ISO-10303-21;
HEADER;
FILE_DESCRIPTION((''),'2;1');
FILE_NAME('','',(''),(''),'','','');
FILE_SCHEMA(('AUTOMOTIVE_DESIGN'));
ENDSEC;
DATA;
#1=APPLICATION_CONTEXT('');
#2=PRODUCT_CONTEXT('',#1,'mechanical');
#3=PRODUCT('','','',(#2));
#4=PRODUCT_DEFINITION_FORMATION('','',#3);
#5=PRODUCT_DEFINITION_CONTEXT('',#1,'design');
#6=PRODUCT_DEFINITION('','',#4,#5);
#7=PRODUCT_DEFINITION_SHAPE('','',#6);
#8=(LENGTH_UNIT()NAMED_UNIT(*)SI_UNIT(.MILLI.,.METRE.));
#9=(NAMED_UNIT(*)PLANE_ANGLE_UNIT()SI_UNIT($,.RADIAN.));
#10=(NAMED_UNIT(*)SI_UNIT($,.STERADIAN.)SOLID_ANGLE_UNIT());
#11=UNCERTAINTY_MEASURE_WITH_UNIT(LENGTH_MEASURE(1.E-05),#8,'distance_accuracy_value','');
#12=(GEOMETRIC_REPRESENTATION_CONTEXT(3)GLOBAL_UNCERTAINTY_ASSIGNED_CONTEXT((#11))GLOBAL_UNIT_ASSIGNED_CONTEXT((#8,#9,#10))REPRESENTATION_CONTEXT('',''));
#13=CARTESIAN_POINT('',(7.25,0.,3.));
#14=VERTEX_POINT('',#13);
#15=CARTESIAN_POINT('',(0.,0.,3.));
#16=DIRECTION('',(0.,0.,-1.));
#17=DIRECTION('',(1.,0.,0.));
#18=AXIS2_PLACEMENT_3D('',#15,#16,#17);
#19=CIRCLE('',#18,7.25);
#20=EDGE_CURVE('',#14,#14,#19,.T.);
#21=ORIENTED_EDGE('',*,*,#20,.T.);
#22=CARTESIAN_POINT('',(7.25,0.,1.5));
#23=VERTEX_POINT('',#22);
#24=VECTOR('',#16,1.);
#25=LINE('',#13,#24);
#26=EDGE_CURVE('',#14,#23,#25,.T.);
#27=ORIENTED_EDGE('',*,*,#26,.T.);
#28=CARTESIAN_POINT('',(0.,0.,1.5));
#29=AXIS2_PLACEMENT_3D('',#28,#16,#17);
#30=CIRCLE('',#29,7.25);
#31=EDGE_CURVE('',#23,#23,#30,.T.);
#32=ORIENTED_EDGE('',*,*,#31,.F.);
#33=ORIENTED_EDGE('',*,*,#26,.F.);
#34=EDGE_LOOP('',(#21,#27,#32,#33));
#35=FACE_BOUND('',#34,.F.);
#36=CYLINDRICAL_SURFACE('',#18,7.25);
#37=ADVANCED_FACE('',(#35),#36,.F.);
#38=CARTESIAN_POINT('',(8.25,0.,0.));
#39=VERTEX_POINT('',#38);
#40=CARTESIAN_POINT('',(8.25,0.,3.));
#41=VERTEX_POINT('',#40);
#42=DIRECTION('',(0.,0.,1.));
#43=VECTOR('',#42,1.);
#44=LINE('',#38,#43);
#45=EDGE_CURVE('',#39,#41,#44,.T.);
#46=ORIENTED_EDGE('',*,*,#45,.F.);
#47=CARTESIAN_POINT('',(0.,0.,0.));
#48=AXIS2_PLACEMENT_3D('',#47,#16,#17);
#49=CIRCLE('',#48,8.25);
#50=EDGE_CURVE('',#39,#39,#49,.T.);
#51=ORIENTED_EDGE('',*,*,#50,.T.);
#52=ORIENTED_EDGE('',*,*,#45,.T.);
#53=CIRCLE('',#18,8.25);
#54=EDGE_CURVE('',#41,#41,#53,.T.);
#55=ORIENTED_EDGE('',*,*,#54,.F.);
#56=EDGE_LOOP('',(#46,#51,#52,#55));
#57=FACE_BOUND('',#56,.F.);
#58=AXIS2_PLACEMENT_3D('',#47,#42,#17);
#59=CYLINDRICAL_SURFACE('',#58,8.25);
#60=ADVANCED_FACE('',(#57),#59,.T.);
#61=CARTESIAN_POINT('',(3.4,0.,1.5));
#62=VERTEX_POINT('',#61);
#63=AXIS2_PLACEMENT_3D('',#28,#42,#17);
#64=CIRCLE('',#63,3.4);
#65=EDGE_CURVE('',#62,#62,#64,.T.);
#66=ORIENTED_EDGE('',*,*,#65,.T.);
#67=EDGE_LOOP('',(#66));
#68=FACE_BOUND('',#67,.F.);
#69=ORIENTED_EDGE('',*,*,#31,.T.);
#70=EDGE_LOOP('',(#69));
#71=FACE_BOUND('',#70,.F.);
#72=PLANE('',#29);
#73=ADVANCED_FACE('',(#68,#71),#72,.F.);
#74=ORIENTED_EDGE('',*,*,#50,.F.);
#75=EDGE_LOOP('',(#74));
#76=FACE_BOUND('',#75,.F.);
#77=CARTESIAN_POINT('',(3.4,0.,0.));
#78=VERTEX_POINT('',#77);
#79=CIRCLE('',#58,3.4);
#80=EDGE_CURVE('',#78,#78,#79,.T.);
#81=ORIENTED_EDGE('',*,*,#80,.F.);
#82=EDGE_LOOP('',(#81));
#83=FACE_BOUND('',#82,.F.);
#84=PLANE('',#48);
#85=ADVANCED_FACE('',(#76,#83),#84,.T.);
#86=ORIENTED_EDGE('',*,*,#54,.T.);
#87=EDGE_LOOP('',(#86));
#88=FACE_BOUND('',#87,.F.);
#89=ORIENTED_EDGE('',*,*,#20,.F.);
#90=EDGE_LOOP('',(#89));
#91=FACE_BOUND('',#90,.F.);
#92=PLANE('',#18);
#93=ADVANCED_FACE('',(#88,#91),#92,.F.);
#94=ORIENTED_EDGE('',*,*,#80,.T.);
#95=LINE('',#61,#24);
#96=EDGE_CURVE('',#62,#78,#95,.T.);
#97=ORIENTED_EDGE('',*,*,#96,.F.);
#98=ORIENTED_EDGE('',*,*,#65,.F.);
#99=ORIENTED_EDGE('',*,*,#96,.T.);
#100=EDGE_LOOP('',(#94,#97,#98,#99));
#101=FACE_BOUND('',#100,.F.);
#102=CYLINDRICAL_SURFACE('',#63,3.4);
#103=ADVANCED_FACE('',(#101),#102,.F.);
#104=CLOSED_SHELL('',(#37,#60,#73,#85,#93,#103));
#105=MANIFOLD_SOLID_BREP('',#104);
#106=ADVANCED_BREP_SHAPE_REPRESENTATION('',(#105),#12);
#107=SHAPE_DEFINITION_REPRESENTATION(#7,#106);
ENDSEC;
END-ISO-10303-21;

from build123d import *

# Parameters (mm, degrees)
F2_R     = 3.4
F3_DEPTH = 1.501


with BuildPart() as f1:
    # F0 (on Front) → F1 (revolve)
    with BuildSketch(Plane.XZ):
        Polygon((0, 1.5), (0, 0), (8.25, 0), (8.25, 3), (7.25, 3), (7.25, 1.5), align=None)
    revolve(axis=Axis((0, 0, 0.75), (0, 0, -1)))

    # F2 (on face) → F3 (cut, through all)
    with BuildSketch(Plane.XY.offset(1.5)):
        Circle(F2_R)
    extrude(amount=-F3_DEPTH, mode=Mode.SUBTRACT)


solid = f1.part
